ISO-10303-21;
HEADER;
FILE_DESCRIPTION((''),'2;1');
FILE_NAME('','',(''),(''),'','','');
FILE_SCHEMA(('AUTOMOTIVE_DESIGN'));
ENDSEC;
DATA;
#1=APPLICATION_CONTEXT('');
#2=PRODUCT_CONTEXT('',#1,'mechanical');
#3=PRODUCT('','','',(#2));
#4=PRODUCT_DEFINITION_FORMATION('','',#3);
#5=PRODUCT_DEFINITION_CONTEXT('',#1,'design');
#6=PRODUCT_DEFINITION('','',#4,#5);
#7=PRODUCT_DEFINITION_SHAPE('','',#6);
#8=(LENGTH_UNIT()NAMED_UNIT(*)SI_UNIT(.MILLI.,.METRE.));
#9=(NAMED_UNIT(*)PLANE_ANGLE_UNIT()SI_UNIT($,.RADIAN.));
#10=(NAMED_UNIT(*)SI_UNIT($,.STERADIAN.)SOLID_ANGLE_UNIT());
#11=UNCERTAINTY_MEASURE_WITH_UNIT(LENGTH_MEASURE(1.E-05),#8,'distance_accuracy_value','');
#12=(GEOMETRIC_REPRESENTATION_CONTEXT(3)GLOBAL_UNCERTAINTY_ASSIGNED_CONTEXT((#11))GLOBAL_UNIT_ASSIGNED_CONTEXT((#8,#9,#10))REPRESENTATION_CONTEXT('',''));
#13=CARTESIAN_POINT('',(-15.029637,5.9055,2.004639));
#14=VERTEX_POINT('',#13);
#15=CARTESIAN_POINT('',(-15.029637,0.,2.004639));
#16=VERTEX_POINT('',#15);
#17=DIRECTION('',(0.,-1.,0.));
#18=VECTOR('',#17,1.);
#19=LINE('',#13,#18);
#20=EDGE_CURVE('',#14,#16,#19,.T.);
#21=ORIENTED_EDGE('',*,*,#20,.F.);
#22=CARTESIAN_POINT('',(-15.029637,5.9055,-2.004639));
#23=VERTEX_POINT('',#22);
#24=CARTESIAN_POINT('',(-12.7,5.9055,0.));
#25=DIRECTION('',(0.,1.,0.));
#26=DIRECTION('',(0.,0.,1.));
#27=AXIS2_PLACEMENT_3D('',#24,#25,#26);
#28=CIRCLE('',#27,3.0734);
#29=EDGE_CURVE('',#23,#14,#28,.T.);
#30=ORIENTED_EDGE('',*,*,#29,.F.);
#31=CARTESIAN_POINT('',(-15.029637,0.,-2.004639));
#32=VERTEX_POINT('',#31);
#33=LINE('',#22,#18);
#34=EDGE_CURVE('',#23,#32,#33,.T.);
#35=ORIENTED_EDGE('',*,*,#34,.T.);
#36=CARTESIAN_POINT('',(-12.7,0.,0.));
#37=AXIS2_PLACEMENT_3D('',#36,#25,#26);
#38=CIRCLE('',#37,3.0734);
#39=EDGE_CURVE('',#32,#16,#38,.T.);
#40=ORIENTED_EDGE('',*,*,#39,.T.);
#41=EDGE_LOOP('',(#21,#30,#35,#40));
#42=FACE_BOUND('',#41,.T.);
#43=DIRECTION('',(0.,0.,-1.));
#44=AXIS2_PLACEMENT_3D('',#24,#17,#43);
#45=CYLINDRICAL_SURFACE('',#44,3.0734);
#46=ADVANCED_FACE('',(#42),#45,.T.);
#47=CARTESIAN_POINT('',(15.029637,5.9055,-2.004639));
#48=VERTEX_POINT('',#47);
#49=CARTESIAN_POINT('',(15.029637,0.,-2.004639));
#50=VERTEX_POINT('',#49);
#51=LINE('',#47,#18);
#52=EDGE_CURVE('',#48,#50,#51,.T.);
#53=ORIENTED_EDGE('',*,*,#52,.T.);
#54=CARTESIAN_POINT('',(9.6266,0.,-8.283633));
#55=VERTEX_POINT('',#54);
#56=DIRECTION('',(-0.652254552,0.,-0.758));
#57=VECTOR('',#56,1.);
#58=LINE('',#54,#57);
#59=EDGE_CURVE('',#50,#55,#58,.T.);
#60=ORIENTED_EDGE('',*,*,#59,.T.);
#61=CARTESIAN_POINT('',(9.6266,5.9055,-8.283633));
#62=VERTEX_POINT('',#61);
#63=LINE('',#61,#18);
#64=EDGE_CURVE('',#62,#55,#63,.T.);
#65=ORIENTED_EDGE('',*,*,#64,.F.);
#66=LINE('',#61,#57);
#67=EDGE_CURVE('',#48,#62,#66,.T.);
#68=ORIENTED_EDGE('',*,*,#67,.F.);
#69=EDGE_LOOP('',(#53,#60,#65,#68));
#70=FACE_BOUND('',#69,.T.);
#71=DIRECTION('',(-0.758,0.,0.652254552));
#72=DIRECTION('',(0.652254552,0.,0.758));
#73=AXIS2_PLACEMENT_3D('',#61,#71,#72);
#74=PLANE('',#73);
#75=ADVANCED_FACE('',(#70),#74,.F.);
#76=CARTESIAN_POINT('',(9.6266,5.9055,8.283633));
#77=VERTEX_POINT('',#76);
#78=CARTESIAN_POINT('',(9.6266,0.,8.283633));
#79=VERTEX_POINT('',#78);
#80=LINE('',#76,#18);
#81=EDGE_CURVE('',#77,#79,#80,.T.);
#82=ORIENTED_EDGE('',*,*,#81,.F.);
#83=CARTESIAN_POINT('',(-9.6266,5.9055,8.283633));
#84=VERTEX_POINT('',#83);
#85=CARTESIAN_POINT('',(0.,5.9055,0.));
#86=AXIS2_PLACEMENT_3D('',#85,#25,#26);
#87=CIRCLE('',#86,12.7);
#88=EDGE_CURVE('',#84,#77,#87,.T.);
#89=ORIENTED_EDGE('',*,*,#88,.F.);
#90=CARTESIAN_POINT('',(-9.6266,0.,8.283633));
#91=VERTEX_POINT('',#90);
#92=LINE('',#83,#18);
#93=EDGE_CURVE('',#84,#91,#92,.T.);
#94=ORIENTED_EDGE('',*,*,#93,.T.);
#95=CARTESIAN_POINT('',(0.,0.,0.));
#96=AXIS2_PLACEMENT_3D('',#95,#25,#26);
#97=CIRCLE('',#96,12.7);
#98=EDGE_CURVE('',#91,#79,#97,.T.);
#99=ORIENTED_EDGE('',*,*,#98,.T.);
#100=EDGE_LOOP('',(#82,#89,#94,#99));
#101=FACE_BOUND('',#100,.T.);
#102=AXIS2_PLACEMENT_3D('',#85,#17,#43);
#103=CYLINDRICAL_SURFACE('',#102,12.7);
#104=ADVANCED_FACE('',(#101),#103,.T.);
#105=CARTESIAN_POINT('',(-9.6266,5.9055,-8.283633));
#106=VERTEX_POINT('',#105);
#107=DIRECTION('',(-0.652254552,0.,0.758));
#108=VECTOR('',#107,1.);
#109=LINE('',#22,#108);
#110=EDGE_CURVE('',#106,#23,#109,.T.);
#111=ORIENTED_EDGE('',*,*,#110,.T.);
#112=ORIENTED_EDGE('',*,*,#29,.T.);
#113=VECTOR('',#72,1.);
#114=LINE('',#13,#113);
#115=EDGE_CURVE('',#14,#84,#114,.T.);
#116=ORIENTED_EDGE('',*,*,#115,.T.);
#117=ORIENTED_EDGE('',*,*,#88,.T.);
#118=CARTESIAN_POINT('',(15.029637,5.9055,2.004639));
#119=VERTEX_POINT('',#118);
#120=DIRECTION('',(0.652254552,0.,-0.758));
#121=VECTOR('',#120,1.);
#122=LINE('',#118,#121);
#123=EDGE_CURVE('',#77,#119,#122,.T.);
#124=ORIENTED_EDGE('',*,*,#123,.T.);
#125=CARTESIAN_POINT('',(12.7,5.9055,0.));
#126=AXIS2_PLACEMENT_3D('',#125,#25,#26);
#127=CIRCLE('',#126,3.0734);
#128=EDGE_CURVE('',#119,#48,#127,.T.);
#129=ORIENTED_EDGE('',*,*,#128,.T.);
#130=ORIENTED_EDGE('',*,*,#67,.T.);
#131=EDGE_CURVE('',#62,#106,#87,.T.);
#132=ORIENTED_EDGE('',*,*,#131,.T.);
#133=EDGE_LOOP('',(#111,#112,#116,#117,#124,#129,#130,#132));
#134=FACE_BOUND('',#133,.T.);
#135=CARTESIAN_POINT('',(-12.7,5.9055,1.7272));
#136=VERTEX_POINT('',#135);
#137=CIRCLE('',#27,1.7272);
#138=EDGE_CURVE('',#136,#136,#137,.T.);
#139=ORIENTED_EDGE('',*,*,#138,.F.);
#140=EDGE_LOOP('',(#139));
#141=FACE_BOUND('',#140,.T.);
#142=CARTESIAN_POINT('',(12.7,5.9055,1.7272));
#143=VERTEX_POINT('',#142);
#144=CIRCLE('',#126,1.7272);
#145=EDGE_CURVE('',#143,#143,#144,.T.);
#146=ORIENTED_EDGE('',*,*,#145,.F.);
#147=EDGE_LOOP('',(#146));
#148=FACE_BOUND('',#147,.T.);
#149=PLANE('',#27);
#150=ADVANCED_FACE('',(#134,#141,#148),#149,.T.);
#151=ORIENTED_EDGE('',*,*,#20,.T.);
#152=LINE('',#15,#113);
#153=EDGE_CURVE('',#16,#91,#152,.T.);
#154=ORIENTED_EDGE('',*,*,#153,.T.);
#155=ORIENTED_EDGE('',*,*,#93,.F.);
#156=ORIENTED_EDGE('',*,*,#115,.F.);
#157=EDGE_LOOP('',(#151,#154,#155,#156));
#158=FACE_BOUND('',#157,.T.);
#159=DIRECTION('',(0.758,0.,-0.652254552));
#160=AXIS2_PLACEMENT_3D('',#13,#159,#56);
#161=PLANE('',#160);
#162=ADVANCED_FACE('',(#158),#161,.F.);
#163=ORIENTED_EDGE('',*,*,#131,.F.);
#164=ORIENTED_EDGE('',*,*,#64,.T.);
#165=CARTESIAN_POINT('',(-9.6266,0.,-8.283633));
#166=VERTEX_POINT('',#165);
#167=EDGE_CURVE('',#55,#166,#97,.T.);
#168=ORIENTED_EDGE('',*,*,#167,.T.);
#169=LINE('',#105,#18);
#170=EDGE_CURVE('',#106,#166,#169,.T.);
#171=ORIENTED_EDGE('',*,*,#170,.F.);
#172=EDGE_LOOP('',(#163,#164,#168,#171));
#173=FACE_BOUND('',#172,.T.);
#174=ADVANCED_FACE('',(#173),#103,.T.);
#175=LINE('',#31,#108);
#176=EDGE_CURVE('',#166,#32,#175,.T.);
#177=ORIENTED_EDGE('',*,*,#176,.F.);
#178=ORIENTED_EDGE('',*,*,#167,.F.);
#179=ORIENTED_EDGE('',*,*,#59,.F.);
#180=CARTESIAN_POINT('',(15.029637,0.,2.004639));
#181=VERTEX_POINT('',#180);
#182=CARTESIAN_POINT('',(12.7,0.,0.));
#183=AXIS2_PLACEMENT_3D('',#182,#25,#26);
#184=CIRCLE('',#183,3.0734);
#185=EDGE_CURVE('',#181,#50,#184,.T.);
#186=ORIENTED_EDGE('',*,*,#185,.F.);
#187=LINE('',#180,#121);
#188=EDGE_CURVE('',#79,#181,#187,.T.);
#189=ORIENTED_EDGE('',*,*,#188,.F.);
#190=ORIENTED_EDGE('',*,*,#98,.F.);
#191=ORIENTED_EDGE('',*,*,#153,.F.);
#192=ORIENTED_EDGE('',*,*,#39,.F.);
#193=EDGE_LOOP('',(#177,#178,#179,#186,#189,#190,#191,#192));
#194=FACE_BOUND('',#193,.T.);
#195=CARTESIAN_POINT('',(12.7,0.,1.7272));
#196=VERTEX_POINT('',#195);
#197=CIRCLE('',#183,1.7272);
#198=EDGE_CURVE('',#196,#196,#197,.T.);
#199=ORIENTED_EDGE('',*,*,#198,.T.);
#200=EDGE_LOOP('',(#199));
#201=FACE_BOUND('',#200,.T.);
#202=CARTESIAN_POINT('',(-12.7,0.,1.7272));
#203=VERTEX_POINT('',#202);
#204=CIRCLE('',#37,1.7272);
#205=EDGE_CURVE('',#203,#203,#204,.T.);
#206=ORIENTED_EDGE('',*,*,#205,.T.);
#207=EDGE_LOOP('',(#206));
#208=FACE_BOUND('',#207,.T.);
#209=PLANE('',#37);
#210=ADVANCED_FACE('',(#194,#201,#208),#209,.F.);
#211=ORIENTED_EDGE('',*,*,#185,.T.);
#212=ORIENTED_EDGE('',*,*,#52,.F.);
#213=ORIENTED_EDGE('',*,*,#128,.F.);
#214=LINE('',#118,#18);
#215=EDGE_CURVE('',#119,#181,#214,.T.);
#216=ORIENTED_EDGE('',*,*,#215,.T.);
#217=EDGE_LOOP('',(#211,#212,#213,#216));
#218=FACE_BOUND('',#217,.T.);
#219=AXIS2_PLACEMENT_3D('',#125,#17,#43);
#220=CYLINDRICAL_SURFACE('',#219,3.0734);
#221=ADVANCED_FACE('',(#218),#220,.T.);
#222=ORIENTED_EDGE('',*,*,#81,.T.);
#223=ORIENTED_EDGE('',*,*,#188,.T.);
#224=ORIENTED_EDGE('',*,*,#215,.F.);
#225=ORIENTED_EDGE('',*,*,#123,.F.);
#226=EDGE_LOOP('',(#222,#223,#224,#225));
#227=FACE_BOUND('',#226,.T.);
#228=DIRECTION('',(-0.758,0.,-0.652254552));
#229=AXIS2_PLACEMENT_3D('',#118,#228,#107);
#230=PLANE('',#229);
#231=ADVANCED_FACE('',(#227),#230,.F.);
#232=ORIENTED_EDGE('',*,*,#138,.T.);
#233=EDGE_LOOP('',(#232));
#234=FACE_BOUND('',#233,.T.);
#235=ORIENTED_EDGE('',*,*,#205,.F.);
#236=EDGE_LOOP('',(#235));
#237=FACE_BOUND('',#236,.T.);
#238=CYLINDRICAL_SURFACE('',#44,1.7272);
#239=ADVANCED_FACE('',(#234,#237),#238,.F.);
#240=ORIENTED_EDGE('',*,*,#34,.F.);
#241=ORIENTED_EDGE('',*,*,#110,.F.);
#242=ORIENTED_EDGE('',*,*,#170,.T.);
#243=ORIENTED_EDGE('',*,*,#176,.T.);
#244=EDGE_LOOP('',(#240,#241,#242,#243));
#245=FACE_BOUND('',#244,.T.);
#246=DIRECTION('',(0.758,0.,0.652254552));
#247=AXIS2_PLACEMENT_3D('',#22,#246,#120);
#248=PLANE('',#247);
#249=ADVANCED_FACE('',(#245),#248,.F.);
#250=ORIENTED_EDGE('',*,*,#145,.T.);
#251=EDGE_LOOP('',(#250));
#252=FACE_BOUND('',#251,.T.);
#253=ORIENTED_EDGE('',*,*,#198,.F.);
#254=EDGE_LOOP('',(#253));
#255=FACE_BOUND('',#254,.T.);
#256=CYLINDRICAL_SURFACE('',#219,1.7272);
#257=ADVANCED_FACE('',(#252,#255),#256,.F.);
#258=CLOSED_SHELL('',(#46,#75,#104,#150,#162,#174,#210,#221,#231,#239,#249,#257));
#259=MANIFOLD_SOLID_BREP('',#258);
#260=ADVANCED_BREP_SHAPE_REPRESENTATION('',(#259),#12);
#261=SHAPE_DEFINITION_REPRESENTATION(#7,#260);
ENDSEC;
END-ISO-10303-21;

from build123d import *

# Parameters (mm, degrees)
SKETCH1_R           = 1.7272
BOSS_EXTRUDE1_DEPTH = 5.9055


with BuildPart() as part:
    # Sketch1 → Boss-Extrude1 (new body)
    with BuildSketch(Plane(origin=(0, 0, 0), x_dir=(1, 0, 0), z_dir=(0, 1, 0))):
        with BuildLine():
            Line((-15.0296372, 2.004639139), (-9.6266, 8.283632805))
            ThreePointArc((-9.6266, 8.283632805), (0, 12.7), (9.6266, 8.283632805))
            Line((9.6266, 8.283632805), (15.0296372, 2.004639139))
            ThreePointArc((15.0296372, 2.004639139), (15.7734, 0), (15.0296372, -2.004639139))
            Line((15.0296372, -2.004639139), (9.6266, -8.283632805))
            ThreePointArc((9.6266, -8.283632805), (0, -12.7), (-9.6266, -8.283632805))
            Line((-9.6266, -8.283632805), (-15.0296372, -2.004639139))
            ThreePointArc((-15.0296372, -2.004639139), (-15.7734, 0), (-15.0296372, 2.004639139))
        make_face()
        with Locations(Location((-12.7, 0, 0), (0, 0, 270))):
            Circle(SKETCH1_R, mode=Mode.SUBTRACT)
        with Locations(Location((12.7, 0, 0), (0, 0, 270))):
            Circle(SKETCH1_R, mode=Mode.SUBTRACT)
    extrude(amount=BOSS_EXTRUDE1_DEPTH)


solid = part.part
